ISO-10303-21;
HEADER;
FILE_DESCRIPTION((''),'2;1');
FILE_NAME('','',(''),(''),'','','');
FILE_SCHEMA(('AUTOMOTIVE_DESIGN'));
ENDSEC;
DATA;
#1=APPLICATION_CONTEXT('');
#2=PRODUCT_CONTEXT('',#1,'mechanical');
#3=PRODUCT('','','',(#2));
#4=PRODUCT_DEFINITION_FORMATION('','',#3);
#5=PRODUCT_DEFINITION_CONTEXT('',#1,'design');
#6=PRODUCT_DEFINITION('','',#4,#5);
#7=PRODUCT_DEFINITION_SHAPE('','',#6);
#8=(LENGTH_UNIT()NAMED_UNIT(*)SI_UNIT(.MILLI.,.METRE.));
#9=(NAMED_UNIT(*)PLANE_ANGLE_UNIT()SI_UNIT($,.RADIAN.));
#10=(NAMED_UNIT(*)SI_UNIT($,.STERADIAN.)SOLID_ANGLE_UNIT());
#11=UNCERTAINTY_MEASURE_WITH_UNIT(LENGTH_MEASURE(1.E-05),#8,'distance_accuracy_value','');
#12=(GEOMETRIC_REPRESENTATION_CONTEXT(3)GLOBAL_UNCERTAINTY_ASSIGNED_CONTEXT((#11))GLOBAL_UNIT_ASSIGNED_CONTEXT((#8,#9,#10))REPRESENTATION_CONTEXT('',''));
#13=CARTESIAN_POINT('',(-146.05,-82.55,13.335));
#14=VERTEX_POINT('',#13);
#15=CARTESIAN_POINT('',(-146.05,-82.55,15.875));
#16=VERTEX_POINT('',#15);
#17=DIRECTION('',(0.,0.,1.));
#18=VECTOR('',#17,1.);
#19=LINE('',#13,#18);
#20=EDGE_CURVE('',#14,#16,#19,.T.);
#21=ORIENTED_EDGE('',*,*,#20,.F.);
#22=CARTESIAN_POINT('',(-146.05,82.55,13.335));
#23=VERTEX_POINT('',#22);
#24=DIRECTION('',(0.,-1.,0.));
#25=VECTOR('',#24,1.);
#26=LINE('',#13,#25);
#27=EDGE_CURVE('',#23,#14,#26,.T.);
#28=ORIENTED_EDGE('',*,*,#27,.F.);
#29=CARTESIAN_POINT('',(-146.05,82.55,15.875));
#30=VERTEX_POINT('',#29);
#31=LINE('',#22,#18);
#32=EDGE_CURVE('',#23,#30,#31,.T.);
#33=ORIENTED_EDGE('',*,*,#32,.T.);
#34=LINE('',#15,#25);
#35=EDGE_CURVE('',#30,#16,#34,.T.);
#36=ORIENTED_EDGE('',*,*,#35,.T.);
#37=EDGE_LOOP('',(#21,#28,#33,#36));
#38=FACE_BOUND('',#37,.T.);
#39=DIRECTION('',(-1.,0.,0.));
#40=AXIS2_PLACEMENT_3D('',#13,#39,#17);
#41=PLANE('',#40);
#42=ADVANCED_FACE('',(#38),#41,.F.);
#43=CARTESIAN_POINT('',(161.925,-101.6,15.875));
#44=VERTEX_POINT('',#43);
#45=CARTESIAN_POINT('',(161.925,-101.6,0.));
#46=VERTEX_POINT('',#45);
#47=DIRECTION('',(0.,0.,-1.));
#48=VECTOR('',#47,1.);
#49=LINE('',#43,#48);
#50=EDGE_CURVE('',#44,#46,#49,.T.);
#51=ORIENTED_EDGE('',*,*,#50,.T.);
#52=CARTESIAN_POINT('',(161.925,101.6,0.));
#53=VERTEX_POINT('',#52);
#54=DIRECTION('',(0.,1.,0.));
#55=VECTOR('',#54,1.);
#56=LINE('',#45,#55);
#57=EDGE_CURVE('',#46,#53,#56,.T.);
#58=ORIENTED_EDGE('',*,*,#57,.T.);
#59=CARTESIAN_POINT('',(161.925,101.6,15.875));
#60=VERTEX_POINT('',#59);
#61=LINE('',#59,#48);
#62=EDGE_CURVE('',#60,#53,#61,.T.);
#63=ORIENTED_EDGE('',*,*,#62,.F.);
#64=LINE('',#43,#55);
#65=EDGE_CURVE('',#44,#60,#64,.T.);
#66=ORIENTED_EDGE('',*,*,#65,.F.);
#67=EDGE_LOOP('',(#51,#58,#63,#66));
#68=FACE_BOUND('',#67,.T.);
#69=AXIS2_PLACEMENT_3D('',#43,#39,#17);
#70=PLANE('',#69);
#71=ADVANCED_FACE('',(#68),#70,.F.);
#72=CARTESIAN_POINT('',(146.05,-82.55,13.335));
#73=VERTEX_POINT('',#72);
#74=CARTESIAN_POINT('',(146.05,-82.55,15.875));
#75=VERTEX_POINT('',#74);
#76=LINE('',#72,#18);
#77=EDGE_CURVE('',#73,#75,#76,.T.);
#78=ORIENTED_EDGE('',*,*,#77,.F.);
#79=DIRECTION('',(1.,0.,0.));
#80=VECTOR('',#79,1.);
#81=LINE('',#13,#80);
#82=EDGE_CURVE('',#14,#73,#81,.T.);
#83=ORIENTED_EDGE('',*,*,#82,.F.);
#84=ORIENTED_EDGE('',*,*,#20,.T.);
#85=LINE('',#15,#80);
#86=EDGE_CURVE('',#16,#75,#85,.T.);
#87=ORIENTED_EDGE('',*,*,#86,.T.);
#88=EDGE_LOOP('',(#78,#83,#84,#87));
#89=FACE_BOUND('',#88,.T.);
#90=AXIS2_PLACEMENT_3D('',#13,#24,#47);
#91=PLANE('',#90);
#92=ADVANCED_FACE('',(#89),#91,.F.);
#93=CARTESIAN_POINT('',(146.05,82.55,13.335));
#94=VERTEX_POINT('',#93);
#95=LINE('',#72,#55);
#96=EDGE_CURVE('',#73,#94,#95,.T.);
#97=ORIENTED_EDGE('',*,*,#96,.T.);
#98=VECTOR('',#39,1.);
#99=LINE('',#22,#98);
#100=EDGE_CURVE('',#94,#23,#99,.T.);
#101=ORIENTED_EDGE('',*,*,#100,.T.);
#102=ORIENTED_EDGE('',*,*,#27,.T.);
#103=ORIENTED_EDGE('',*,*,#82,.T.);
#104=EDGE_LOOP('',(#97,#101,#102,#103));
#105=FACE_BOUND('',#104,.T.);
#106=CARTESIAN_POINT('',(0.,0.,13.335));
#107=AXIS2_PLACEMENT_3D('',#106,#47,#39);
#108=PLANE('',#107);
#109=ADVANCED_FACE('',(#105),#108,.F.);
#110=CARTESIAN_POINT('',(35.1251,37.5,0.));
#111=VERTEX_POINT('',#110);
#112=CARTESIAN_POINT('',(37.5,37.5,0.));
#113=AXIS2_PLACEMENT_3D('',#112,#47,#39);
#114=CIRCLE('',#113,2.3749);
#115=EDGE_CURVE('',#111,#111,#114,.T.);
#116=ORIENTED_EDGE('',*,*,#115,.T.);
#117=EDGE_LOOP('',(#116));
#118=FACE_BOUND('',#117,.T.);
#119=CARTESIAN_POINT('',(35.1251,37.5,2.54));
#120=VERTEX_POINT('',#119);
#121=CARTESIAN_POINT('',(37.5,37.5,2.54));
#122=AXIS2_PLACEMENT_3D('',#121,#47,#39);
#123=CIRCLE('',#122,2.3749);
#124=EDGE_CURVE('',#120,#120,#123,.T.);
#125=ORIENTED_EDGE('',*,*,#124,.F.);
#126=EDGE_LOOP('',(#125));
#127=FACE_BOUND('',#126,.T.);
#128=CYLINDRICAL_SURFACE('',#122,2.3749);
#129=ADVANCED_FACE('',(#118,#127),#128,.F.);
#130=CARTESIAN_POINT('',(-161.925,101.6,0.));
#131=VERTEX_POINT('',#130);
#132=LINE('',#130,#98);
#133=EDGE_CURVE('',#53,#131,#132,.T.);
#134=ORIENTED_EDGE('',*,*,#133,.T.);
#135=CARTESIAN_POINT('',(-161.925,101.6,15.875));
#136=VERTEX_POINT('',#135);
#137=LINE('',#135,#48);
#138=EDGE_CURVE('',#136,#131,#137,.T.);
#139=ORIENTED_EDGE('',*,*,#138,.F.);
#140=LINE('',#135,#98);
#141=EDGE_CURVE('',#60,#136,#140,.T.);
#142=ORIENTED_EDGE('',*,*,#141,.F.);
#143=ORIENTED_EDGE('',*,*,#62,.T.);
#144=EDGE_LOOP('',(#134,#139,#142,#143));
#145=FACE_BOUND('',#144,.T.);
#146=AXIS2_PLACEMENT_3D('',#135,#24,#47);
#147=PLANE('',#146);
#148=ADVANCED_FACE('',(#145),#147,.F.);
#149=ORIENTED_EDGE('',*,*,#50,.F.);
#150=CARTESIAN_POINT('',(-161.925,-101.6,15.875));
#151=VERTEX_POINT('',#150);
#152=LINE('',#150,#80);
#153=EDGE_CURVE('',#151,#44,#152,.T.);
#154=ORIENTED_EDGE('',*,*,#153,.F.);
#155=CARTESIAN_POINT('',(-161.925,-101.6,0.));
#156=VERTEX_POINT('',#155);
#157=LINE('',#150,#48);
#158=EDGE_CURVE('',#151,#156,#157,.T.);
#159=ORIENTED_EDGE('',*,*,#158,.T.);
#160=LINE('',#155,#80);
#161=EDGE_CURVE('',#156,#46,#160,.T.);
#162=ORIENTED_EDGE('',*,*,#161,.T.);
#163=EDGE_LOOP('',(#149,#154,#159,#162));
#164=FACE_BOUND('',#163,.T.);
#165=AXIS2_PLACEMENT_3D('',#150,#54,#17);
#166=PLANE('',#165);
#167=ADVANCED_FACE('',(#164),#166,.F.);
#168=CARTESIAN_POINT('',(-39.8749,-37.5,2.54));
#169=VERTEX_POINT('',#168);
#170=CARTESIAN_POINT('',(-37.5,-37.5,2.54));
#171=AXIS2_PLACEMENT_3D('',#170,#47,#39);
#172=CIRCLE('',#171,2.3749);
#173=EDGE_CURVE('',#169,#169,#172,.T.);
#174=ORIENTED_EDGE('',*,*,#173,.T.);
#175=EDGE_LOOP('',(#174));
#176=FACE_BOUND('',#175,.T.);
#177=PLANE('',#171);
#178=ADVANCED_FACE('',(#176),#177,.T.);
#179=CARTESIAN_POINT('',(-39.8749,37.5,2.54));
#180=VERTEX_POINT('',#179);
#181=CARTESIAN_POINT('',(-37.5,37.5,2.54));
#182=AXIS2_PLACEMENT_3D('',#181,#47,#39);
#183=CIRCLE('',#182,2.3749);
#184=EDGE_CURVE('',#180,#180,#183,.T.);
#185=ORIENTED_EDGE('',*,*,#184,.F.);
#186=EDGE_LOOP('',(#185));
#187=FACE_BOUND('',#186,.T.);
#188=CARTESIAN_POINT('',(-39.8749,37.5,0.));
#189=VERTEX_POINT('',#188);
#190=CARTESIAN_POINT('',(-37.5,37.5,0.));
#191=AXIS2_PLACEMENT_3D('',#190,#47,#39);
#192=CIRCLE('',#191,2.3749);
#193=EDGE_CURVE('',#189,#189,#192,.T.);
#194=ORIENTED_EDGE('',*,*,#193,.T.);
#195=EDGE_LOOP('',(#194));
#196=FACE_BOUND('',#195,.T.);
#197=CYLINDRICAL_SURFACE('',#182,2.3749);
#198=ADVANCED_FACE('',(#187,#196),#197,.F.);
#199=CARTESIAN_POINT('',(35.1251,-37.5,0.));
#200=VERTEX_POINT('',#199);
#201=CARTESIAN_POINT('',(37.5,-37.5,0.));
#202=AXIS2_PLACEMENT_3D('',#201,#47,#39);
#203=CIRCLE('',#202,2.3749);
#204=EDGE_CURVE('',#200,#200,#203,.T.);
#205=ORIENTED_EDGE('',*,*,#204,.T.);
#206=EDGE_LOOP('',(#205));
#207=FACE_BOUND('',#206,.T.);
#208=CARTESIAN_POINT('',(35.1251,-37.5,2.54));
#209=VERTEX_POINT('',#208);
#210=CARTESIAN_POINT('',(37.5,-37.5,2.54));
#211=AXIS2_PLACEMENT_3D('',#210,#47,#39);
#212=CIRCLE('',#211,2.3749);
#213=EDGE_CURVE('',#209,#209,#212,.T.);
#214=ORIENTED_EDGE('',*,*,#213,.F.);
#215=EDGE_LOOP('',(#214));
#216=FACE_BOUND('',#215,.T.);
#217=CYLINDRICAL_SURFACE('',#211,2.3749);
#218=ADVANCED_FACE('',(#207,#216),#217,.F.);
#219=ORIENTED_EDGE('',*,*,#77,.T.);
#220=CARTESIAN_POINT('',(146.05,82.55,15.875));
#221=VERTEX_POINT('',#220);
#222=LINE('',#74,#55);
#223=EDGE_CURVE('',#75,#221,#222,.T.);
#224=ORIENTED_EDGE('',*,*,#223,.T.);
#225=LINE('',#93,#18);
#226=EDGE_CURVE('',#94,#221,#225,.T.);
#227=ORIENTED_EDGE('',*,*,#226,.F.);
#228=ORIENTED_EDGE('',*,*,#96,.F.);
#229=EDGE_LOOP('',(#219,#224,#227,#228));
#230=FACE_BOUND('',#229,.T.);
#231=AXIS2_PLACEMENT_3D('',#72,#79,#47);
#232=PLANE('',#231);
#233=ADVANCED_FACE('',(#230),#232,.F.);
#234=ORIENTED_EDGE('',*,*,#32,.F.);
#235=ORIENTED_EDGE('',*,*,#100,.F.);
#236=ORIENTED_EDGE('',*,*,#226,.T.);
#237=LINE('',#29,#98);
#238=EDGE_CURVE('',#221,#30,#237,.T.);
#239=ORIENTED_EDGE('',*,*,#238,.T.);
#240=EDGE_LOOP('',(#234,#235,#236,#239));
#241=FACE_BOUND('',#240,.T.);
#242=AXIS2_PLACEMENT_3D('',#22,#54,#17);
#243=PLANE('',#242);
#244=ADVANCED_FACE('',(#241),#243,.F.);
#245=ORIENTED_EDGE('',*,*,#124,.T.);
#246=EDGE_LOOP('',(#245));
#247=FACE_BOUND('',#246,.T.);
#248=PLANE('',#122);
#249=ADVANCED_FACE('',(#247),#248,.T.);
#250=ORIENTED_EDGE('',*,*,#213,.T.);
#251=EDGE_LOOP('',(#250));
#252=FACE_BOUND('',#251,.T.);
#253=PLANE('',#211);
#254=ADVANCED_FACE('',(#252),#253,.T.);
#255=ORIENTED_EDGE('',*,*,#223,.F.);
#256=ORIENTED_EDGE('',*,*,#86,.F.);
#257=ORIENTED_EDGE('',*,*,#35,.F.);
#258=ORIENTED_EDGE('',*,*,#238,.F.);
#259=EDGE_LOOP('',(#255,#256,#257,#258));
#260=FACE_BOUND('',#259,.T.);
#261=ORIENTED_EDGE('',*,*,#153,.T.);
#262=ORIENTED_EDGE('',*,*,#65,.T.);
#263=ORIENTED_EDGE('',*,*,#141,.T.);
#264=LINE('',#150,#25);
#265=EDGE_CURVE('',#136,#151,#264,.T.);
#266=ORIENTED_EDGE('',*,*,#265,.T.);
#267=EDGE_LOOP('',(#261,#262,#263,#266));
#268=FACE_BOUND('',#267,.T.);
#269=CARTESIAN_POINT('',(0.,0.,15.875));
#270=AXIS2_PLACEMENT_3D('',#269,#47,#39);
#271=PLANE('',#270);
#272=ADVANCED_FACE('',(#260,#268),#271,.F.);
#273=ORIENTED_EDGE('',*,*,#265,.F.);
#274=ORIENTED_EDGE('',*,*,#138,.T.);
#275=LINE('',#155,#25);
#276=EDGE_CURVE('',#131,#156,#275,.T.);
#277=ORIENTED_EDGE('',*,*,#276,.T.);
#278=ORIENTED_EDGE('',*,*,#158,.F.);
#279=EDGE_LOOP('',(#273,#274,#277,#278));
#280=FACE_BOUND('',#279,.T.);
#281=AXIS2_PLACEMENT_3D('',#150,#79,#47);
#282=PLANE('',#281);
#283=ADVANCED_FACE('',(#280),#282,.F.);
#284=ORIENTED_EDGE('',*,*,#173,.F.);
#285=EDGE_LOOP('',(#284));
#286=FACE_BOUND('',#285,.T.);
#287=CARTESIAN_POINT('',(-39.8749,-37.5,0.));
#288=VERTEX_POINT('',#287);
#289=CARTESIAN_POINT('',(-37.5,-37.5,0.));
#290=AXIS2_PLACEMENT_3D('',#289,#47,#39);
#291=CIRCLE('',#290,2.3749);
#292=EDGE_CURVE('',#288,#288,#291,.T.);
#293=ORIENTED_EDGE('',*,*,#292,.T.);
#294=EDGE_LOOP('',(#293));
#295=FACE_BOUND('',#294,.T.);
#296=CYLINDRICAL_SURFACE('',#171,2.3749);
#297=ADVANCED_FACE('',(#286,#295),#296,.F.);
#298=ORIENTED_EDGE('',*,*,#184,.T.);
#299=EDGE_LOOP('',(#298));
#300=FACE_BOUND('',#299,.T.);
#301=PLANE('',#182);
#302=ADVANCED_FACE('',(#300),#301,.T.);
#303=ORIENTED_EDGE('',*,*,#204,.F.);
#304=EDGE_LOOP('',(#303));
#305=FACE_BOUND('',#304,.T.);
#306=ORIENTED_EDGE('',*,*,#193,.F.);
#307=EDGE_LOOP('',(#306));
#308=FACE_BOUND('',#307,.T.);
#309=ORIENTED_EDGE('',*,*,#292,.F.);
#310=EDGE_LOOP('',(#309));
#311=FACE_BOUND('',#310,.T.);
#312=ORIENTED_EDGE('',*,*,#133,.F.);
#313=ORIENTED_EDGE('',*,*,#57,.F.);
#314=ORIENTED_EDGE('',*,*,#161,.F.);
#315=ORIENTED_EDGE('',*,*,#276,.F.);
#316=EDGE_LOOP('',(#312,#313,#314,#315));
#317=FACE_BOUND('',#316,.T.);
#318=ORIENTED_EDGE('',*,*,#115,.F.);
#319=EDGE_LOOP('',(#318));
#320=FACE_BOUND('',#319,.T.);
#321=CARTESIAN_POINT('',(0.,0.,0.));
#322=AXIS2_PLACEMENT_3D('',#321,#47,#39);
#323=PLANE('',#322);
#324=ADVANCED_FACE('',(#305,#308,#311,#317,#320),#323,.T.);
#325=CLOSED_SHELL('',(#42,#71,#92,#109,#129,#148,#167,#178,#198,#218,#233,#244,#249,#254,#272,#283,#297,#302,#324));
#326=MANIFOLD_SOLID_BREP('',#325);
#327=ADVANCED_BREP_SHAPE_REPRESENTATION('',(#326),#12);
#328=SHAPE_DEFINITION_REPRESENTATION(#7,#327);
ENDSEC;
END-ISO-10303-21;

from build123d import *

# Parameters (mm, degrees)
SKETCH1_W           = 323.85
SKETCH1_H           = 203.2
BOSS_EXTRUDE1_DEPTH = 15.875
SKETCH2_W           = 292.1
SKETCH2_H           = 165.1
CUT_EXTRUDE1_DEPTH  = 2.54
SKETCH3_R           = 2.3749
CUT_EXTRUDE2_DEPTH  = 2.54


with BuildPart() as part:
    # Sketch1 → Boss-Extrude1 (new body)
    with BuildSketch(Plane.XY):
        Rectangle(SKETCH1_W, SKETCH1_H)
    extrude(amount=BOSS_EXTRUDE1_DEPTH)

    # Sketch2 → Cut-Extrude1 (cut)
    with BuildSketch(Plane.XY.offset(15.875)):
        Rectangle(SKETCH2_W, SKETCH2_H)
    extrude(amount=-CUT_EXTRUDE1_DEPTH, mode=Mode.SUBTRACT)

    # Sketch3 → Cut-Extrude2 (cut)
    with BuildSketch(Plane(origin=(0, 0, 0), x_dir=(-1, 0, 0), z_dir=(0, 0, -1))):
        with Locations((-37.5, 37.5)):
            Circle(SKETCH3_R)
        with Locations((37.5, 37.5)):
            Circle(SKETCH3_R)
        with Locations((37.5, -37.5)):
            Circle(SKETCH3_R)
        with Locations((-37.5, -37.5)):
            Circle(SKETCH3_R)
    extrude(amount=-CUT_EXTRUDE2_DEPTH, mode=Mode.SUBTRACT)


solid = part.part
